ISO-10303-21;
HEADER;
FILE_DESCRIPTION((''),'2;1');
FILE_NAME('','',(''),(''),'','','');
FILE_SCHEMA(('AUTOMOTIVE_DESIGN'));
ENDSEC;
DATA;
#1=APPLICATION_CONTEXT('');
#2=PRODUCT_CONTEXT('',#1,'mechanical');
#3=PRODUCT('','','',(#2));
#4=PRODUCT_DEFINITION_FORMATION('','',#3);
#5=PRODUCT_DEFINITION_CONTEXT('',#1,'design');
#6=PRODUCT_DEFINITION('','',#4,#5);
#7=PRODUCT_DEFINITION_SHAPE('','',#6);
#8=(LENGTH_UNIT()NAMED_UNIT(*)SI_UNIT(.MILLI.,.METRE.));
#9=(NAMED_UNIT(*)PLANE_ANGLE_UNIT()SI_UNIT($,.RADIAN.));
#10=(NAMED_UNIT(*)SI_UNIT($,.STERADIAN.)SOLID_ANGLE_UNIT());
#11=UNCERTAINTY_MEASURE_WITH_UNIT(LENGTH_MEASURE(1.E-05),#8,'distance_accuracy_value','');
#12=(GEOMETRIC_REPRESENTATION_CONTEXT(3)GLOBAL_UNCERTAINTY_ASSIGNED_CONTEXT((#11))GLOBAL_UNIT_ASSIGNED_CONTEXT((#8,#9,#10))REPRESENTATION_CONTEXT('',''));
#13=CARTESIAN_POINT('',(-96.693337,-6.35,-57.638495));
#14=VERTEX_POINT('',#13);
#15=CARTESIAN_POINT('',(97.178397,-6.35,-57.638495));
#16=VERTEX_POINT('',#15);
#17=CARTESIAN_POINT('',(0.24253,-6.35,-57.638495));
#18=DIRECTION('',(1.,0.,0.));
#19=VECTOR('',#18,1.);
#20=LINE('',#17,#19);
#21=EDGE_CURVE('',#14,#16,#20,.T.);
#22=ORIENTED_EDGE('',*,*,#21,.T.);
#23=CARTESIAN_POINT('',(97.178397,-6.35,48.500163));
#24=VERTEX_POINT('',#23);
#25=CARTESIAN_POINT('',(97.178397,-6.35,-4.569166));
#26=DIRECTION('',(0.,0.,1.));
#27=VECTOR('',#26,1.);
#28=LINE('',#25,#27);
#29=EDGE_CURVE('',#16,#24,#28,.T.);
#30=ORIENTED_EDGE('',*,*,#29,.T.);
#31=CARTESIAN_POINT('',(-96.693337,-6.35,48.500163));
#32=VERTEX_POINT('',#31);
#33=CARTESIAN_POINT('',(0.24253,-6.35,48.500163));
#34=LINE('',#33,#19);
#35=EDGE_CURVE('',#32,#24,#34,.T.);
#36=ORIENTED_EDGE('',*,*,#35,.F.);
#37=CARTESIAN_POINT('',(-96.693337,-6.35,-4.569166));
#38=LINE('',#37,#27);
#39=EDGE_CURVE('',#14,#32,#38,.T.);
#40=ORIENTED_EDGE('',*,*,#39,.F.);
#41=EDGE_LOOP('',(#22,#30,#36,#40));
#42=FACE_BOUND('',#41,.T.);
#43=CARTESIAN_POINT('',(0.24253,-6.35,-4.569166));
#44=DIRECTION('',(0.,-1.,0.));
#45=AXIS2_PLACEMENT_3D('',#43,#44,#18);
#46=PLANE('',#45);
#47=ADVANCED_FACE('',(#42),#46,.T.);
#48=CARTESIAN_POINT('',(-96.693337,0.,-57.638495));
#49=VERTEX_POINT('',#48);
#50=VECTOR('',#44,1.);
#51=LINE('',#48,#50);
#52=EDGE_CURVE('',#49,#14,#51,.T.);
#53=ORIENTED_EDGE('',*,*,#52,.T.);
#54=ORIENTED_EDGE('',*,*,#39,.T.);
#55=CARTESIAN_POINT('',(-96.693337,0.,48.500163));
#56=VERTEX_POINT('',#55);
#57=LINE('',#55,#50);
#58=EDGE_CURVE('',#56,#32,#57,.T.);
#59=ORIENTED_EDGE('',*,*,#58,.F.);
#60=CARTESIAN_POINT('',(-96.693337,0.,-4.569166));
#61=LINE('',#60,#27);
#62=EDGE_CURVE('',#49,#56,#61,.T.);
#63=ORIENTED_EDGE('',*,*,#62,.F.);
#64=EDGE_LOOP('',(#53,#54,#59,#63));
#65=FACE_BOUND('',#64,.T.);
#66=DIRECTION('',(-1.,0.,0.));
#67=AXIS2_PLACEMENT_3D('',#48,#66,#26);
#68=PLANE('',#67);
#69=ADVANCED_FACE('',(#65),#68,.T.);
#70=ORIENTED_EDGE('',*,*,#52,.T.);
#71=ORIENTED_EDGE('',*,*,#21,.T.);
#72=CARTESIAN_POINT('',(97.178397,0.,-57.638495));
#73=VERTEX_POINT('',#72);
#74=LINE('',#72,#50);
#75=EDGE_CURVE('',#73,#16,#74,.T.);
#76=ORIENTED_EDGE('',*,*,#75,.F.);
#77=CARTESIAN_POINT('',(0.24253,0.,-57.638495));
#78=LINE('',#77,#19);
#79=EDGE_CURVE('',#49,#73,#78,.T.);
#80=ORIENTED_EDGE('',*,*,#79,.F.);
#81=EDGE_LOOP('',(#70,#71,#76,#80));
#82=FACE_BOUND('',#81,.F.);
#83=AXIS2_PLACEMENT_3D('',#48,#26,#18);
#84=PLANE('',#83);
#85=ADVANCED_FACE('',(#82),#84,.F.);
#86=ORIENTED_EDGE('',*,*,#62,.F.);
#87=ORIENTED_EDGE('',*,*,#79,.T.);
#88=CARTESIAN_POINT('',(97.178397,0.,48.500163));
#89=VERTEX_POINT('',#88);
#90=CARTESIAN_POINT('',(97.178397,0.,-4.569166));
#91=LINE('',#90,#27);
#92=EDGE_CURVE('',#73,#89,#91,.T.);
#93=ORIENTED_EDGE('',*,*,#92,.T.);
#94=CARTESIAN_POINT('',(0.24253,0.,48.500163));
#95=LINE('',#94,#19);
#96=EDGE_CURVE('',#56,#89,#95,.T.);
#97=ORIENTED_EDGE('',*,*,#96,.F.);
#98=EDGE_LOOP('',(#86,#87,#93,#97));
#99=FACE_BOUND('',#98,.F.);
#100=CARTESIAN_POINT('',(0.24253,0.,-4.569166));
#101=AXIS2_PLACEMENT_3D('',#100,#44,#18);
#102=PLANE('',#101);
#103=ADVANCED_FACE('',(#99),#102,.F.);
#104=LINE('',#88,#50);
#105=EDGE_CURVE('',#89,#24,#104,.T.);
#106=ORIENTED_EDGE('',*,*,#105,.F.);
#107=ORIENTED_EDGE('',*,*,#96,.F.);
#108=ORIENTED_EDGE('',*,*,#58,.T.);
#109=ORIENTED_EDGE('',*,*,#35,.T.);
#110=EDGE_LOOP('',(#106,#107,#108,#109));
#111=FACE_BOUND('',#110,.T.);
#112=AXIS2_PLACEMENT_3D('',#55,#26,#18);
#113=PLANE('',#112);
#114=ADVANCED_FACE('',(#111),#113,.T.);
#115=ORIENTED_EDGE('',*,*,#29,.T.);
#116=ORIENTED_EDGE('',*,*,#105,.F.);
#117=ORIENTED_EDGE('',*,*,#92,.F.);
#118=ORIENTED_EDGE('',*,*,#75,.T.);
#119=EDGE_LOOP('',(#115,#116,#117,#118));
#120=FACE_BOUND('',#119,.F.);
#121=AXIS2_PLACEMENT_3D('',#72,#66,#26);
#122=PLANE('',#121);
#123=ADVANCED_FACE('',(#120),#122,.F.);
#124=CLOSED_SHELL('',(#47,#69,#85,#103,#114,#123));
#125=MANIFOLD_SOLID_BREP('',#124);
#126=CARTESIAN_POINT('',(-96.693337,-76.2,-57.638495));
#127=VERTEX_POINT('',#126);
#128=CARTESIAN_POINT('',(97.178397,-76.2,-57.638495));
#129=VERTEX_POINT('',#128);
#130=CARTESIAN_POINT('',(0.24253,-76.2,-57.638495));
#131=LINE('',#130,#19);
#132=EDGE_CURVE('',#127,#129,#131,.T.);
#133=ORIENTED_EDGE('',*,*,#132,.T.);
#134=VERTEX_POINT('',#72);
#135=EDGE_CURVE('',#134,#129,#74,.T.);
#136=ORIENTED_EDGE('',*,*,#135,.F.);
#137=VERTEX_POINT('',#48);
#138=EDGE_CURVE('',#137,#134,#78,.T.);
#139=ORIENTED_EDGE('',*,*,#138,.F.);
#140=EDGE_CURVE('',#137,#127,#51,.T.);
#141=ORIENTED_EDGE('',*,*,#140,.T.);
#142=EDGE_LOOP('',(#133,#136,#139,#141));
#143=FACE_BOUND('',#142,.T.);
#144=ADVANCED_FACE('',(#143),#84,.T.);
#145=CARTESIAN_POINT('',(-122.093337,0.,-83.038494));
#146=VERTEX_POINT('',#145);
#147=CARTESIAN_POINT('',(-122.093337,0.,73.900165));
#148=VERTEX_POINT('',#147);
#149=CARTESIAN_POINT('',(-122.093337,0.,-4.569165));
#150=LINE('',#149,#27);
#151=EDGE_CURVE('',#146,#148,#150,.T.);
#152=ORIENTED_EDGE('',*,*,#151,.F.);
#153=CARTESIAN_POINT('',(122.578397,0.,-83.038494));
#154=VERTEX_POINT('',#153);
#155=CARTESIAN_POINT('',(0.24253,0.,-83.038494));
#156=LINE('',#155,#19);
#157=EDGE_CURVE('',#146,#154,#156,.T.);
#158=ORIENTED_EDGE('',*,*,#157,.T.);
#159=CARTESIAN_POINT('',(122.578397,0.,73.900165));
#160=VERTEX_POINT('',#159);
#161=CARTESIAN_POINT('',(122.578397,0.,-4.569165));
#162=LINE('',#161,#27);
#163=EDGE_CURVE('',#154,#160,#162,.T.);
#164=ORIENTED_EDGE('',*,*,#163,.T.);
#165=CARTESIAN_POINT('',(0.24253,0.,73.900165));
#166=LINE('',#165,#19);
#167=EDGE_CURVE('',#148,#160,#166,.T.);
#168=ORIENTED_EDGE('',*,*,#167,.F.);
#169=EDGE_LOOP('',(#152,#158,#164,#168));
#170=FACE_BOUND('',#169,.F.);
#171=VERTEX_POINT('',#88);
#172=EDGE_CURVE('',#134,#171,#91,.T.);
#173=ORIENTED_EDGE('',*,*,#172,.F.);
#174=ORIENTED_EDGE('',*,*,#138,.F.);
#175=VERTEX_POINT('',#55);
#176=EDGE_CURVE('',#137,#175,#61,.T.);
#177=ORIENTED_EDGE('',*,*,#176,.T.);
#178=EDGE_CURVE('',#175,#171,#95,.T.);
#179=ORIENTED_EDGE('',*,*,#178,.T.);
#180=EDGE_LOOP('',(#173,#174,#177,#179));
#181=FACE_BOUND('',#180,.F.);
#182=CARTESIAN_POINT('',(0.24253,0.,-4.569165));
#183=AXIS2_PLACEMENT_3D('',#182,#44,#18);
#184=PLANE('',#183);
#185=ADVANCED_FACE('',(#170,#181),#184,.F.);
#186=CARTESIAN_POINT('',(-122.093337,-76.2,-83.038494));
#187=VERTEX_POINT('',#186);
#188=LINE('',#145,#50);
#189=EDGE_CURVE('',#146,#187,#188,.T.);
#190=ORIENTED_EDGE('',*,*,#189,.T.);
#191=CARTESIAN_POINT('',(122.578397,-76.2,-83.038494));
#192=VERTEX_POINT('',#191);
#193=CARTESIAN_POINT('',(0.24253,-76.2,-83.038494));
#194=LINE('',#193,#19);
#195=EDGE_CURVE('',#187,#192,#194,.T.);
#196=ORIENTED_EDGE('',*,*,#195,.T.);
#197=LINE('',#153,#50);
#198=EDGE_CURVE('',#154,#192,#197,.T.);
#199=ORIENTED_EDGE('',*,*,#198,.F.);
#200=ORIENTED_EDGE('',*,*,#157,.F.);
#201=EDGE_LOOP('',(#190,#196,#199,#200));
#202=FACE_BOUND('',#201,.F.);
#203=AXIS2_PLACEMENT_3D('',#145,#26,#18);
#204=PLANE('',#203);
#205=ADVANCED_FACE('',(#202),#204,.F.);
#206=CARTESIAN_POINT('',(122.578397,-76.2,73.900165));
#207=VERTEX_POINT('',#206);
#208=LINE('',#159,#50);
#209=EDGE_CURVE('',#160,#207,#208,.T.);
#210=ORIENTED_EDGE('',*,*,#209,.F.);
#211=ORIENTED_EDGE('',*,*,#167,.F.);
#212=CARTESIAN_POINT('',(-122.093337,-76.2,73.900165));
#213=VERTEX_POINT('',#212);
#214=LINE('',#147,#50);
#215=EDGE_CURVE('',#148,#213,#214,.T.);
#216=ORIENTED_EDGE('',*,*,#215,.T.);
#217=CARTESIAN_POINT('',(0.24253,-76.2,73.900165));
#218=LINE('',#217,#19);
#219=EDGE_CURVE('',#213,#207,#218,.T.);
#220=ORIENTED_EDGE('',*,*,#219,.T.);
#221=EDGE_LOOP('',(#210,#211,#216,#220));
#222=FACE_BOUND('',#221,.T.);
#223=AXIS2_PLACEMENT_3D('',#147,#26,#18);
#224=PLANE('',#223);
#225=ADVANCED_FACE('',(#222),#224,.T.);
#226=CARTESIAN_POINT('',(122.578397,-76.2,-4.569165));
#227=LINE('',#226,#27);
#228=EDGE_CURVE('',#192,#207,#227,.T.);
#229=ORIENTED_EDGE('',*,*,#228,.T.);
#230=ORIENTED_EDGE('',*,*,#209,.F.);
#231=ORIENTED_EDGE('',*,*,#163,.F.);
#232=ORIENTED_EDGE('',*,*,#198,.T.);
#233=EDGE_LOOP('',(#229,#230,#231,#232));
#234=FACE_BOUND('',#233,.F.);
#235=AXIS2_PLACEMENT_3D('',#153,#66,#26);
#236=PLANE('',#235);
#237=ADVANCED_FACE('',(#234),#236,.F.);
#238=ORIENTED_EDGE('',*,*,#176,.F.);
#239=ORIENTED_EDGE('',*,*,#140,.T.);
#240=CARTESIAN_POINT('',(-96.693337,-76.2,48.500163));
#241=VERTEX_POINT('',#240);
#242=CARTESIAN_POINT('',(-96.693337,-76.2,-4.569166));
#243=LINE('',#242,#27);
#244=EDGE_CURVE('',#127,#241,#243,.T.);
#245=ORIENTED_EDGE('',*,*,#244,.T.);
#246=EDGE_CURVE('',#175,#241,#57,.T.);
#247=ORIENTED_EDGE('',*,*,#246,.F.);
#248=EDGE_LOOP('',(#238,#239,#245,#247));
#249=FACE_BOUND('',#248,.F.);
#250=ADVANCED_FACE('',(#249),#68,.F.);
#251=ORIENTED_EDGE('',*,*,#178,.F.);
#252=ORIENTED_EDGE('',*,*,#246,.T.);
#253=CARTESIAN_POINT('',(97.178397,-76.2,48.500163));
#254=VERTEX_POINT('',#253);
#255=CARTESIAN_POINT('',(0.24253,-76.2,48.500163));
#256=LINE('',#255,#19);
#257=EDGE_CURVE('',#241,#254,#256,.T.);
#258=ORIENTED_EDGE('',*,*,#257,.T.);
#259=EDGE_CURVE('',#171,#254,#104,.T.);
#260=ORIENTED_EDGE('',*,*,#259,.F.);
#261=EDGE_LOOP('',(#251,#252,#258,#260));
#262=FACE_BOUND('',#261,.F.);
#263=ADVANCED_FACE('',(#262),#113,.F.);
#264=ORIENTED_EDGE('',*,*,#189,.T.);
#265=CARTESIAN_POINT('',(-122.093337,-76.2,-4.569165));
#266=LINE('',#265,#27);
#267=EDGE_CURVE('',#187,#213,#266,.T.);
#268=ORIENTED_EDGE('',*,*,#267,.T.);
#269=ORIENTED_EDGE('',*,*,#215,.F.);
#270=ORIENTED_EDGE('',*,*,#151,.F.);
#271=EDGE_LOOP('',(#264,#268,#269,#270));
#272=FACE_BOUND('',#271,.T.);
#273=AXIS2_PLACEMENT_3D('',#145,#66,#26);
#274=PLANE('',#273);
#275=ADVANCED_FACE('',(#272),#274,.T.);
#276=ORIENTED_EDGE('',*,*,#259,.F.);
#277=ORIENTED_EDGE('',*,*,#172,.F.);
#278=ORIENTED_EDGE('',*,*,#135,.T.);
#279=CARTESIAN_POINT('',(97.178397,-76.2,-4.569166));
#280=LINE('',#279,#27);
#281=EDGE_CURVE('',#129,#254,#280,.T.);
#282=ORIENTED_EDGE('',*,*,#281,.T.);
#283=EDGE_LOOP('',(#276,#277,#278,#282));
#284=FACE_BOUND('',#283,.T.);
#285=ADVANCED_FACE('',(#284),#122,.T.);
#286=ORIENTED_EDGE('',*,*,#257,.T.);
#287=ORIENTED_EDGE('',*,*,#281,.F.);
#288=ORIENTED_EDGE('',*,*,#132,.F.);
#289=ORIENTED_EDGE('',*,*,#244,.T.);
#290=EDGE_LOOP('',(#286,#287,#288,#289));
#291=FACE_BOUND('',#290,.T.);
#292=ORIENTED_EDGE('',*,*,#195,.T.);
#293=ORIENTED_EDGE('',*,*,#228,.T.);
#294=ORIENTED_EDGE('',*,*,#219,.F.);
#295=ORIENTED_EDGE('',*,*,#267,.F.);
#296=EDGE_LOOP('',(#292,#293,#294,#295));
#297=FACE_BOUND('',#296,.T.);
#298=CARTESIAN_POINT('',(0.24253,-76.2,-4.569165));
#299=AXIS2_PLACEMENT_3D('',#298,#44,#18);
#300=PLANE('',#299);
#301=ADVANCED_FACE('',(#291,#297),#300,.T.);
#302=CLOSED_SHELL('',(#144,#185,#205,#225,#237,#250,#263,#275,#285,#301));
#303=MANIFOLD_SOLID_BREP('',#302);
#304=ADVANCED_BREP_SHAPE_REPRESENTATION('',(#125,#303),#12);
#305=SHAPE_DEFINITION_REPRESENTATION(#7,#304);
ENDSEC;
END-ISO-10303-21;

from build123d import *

# Parameters (mm, degrees)
F0_W     = 193.871734
F0_H     = 106.138659
F1_DEPTH = 6.35
F0_W_2   = 244.671734
F0_H_2   = 156.938659
F2_DEPTH = 76.2


with BuildPart() as f1:
    # F0 (on Front) → F1 (new body)
    with BuildSketch(Plane.XZ):
        with Locations((0.24253, -4.569166)):
            Rectangle(F0_W, F0_H)
    extrude(amount=F1_DEPTH)


with BuildPart() as f2:
    # F0 (on Front) → F2 (new body)
    with BuildSketch(Plane.XZ):
        with Locations((0.24253, -4.569165)):
            Rectangle(F0_W_2, F0_H_2)
        with Locations((0.24253, -4.569166)):
            Rectangle(F0_W, F0_H, mode=Mode.SUBTRACT)
    extrude(amount=F2_DEPTH)


solid = Compound([f1.part, f2.part])
